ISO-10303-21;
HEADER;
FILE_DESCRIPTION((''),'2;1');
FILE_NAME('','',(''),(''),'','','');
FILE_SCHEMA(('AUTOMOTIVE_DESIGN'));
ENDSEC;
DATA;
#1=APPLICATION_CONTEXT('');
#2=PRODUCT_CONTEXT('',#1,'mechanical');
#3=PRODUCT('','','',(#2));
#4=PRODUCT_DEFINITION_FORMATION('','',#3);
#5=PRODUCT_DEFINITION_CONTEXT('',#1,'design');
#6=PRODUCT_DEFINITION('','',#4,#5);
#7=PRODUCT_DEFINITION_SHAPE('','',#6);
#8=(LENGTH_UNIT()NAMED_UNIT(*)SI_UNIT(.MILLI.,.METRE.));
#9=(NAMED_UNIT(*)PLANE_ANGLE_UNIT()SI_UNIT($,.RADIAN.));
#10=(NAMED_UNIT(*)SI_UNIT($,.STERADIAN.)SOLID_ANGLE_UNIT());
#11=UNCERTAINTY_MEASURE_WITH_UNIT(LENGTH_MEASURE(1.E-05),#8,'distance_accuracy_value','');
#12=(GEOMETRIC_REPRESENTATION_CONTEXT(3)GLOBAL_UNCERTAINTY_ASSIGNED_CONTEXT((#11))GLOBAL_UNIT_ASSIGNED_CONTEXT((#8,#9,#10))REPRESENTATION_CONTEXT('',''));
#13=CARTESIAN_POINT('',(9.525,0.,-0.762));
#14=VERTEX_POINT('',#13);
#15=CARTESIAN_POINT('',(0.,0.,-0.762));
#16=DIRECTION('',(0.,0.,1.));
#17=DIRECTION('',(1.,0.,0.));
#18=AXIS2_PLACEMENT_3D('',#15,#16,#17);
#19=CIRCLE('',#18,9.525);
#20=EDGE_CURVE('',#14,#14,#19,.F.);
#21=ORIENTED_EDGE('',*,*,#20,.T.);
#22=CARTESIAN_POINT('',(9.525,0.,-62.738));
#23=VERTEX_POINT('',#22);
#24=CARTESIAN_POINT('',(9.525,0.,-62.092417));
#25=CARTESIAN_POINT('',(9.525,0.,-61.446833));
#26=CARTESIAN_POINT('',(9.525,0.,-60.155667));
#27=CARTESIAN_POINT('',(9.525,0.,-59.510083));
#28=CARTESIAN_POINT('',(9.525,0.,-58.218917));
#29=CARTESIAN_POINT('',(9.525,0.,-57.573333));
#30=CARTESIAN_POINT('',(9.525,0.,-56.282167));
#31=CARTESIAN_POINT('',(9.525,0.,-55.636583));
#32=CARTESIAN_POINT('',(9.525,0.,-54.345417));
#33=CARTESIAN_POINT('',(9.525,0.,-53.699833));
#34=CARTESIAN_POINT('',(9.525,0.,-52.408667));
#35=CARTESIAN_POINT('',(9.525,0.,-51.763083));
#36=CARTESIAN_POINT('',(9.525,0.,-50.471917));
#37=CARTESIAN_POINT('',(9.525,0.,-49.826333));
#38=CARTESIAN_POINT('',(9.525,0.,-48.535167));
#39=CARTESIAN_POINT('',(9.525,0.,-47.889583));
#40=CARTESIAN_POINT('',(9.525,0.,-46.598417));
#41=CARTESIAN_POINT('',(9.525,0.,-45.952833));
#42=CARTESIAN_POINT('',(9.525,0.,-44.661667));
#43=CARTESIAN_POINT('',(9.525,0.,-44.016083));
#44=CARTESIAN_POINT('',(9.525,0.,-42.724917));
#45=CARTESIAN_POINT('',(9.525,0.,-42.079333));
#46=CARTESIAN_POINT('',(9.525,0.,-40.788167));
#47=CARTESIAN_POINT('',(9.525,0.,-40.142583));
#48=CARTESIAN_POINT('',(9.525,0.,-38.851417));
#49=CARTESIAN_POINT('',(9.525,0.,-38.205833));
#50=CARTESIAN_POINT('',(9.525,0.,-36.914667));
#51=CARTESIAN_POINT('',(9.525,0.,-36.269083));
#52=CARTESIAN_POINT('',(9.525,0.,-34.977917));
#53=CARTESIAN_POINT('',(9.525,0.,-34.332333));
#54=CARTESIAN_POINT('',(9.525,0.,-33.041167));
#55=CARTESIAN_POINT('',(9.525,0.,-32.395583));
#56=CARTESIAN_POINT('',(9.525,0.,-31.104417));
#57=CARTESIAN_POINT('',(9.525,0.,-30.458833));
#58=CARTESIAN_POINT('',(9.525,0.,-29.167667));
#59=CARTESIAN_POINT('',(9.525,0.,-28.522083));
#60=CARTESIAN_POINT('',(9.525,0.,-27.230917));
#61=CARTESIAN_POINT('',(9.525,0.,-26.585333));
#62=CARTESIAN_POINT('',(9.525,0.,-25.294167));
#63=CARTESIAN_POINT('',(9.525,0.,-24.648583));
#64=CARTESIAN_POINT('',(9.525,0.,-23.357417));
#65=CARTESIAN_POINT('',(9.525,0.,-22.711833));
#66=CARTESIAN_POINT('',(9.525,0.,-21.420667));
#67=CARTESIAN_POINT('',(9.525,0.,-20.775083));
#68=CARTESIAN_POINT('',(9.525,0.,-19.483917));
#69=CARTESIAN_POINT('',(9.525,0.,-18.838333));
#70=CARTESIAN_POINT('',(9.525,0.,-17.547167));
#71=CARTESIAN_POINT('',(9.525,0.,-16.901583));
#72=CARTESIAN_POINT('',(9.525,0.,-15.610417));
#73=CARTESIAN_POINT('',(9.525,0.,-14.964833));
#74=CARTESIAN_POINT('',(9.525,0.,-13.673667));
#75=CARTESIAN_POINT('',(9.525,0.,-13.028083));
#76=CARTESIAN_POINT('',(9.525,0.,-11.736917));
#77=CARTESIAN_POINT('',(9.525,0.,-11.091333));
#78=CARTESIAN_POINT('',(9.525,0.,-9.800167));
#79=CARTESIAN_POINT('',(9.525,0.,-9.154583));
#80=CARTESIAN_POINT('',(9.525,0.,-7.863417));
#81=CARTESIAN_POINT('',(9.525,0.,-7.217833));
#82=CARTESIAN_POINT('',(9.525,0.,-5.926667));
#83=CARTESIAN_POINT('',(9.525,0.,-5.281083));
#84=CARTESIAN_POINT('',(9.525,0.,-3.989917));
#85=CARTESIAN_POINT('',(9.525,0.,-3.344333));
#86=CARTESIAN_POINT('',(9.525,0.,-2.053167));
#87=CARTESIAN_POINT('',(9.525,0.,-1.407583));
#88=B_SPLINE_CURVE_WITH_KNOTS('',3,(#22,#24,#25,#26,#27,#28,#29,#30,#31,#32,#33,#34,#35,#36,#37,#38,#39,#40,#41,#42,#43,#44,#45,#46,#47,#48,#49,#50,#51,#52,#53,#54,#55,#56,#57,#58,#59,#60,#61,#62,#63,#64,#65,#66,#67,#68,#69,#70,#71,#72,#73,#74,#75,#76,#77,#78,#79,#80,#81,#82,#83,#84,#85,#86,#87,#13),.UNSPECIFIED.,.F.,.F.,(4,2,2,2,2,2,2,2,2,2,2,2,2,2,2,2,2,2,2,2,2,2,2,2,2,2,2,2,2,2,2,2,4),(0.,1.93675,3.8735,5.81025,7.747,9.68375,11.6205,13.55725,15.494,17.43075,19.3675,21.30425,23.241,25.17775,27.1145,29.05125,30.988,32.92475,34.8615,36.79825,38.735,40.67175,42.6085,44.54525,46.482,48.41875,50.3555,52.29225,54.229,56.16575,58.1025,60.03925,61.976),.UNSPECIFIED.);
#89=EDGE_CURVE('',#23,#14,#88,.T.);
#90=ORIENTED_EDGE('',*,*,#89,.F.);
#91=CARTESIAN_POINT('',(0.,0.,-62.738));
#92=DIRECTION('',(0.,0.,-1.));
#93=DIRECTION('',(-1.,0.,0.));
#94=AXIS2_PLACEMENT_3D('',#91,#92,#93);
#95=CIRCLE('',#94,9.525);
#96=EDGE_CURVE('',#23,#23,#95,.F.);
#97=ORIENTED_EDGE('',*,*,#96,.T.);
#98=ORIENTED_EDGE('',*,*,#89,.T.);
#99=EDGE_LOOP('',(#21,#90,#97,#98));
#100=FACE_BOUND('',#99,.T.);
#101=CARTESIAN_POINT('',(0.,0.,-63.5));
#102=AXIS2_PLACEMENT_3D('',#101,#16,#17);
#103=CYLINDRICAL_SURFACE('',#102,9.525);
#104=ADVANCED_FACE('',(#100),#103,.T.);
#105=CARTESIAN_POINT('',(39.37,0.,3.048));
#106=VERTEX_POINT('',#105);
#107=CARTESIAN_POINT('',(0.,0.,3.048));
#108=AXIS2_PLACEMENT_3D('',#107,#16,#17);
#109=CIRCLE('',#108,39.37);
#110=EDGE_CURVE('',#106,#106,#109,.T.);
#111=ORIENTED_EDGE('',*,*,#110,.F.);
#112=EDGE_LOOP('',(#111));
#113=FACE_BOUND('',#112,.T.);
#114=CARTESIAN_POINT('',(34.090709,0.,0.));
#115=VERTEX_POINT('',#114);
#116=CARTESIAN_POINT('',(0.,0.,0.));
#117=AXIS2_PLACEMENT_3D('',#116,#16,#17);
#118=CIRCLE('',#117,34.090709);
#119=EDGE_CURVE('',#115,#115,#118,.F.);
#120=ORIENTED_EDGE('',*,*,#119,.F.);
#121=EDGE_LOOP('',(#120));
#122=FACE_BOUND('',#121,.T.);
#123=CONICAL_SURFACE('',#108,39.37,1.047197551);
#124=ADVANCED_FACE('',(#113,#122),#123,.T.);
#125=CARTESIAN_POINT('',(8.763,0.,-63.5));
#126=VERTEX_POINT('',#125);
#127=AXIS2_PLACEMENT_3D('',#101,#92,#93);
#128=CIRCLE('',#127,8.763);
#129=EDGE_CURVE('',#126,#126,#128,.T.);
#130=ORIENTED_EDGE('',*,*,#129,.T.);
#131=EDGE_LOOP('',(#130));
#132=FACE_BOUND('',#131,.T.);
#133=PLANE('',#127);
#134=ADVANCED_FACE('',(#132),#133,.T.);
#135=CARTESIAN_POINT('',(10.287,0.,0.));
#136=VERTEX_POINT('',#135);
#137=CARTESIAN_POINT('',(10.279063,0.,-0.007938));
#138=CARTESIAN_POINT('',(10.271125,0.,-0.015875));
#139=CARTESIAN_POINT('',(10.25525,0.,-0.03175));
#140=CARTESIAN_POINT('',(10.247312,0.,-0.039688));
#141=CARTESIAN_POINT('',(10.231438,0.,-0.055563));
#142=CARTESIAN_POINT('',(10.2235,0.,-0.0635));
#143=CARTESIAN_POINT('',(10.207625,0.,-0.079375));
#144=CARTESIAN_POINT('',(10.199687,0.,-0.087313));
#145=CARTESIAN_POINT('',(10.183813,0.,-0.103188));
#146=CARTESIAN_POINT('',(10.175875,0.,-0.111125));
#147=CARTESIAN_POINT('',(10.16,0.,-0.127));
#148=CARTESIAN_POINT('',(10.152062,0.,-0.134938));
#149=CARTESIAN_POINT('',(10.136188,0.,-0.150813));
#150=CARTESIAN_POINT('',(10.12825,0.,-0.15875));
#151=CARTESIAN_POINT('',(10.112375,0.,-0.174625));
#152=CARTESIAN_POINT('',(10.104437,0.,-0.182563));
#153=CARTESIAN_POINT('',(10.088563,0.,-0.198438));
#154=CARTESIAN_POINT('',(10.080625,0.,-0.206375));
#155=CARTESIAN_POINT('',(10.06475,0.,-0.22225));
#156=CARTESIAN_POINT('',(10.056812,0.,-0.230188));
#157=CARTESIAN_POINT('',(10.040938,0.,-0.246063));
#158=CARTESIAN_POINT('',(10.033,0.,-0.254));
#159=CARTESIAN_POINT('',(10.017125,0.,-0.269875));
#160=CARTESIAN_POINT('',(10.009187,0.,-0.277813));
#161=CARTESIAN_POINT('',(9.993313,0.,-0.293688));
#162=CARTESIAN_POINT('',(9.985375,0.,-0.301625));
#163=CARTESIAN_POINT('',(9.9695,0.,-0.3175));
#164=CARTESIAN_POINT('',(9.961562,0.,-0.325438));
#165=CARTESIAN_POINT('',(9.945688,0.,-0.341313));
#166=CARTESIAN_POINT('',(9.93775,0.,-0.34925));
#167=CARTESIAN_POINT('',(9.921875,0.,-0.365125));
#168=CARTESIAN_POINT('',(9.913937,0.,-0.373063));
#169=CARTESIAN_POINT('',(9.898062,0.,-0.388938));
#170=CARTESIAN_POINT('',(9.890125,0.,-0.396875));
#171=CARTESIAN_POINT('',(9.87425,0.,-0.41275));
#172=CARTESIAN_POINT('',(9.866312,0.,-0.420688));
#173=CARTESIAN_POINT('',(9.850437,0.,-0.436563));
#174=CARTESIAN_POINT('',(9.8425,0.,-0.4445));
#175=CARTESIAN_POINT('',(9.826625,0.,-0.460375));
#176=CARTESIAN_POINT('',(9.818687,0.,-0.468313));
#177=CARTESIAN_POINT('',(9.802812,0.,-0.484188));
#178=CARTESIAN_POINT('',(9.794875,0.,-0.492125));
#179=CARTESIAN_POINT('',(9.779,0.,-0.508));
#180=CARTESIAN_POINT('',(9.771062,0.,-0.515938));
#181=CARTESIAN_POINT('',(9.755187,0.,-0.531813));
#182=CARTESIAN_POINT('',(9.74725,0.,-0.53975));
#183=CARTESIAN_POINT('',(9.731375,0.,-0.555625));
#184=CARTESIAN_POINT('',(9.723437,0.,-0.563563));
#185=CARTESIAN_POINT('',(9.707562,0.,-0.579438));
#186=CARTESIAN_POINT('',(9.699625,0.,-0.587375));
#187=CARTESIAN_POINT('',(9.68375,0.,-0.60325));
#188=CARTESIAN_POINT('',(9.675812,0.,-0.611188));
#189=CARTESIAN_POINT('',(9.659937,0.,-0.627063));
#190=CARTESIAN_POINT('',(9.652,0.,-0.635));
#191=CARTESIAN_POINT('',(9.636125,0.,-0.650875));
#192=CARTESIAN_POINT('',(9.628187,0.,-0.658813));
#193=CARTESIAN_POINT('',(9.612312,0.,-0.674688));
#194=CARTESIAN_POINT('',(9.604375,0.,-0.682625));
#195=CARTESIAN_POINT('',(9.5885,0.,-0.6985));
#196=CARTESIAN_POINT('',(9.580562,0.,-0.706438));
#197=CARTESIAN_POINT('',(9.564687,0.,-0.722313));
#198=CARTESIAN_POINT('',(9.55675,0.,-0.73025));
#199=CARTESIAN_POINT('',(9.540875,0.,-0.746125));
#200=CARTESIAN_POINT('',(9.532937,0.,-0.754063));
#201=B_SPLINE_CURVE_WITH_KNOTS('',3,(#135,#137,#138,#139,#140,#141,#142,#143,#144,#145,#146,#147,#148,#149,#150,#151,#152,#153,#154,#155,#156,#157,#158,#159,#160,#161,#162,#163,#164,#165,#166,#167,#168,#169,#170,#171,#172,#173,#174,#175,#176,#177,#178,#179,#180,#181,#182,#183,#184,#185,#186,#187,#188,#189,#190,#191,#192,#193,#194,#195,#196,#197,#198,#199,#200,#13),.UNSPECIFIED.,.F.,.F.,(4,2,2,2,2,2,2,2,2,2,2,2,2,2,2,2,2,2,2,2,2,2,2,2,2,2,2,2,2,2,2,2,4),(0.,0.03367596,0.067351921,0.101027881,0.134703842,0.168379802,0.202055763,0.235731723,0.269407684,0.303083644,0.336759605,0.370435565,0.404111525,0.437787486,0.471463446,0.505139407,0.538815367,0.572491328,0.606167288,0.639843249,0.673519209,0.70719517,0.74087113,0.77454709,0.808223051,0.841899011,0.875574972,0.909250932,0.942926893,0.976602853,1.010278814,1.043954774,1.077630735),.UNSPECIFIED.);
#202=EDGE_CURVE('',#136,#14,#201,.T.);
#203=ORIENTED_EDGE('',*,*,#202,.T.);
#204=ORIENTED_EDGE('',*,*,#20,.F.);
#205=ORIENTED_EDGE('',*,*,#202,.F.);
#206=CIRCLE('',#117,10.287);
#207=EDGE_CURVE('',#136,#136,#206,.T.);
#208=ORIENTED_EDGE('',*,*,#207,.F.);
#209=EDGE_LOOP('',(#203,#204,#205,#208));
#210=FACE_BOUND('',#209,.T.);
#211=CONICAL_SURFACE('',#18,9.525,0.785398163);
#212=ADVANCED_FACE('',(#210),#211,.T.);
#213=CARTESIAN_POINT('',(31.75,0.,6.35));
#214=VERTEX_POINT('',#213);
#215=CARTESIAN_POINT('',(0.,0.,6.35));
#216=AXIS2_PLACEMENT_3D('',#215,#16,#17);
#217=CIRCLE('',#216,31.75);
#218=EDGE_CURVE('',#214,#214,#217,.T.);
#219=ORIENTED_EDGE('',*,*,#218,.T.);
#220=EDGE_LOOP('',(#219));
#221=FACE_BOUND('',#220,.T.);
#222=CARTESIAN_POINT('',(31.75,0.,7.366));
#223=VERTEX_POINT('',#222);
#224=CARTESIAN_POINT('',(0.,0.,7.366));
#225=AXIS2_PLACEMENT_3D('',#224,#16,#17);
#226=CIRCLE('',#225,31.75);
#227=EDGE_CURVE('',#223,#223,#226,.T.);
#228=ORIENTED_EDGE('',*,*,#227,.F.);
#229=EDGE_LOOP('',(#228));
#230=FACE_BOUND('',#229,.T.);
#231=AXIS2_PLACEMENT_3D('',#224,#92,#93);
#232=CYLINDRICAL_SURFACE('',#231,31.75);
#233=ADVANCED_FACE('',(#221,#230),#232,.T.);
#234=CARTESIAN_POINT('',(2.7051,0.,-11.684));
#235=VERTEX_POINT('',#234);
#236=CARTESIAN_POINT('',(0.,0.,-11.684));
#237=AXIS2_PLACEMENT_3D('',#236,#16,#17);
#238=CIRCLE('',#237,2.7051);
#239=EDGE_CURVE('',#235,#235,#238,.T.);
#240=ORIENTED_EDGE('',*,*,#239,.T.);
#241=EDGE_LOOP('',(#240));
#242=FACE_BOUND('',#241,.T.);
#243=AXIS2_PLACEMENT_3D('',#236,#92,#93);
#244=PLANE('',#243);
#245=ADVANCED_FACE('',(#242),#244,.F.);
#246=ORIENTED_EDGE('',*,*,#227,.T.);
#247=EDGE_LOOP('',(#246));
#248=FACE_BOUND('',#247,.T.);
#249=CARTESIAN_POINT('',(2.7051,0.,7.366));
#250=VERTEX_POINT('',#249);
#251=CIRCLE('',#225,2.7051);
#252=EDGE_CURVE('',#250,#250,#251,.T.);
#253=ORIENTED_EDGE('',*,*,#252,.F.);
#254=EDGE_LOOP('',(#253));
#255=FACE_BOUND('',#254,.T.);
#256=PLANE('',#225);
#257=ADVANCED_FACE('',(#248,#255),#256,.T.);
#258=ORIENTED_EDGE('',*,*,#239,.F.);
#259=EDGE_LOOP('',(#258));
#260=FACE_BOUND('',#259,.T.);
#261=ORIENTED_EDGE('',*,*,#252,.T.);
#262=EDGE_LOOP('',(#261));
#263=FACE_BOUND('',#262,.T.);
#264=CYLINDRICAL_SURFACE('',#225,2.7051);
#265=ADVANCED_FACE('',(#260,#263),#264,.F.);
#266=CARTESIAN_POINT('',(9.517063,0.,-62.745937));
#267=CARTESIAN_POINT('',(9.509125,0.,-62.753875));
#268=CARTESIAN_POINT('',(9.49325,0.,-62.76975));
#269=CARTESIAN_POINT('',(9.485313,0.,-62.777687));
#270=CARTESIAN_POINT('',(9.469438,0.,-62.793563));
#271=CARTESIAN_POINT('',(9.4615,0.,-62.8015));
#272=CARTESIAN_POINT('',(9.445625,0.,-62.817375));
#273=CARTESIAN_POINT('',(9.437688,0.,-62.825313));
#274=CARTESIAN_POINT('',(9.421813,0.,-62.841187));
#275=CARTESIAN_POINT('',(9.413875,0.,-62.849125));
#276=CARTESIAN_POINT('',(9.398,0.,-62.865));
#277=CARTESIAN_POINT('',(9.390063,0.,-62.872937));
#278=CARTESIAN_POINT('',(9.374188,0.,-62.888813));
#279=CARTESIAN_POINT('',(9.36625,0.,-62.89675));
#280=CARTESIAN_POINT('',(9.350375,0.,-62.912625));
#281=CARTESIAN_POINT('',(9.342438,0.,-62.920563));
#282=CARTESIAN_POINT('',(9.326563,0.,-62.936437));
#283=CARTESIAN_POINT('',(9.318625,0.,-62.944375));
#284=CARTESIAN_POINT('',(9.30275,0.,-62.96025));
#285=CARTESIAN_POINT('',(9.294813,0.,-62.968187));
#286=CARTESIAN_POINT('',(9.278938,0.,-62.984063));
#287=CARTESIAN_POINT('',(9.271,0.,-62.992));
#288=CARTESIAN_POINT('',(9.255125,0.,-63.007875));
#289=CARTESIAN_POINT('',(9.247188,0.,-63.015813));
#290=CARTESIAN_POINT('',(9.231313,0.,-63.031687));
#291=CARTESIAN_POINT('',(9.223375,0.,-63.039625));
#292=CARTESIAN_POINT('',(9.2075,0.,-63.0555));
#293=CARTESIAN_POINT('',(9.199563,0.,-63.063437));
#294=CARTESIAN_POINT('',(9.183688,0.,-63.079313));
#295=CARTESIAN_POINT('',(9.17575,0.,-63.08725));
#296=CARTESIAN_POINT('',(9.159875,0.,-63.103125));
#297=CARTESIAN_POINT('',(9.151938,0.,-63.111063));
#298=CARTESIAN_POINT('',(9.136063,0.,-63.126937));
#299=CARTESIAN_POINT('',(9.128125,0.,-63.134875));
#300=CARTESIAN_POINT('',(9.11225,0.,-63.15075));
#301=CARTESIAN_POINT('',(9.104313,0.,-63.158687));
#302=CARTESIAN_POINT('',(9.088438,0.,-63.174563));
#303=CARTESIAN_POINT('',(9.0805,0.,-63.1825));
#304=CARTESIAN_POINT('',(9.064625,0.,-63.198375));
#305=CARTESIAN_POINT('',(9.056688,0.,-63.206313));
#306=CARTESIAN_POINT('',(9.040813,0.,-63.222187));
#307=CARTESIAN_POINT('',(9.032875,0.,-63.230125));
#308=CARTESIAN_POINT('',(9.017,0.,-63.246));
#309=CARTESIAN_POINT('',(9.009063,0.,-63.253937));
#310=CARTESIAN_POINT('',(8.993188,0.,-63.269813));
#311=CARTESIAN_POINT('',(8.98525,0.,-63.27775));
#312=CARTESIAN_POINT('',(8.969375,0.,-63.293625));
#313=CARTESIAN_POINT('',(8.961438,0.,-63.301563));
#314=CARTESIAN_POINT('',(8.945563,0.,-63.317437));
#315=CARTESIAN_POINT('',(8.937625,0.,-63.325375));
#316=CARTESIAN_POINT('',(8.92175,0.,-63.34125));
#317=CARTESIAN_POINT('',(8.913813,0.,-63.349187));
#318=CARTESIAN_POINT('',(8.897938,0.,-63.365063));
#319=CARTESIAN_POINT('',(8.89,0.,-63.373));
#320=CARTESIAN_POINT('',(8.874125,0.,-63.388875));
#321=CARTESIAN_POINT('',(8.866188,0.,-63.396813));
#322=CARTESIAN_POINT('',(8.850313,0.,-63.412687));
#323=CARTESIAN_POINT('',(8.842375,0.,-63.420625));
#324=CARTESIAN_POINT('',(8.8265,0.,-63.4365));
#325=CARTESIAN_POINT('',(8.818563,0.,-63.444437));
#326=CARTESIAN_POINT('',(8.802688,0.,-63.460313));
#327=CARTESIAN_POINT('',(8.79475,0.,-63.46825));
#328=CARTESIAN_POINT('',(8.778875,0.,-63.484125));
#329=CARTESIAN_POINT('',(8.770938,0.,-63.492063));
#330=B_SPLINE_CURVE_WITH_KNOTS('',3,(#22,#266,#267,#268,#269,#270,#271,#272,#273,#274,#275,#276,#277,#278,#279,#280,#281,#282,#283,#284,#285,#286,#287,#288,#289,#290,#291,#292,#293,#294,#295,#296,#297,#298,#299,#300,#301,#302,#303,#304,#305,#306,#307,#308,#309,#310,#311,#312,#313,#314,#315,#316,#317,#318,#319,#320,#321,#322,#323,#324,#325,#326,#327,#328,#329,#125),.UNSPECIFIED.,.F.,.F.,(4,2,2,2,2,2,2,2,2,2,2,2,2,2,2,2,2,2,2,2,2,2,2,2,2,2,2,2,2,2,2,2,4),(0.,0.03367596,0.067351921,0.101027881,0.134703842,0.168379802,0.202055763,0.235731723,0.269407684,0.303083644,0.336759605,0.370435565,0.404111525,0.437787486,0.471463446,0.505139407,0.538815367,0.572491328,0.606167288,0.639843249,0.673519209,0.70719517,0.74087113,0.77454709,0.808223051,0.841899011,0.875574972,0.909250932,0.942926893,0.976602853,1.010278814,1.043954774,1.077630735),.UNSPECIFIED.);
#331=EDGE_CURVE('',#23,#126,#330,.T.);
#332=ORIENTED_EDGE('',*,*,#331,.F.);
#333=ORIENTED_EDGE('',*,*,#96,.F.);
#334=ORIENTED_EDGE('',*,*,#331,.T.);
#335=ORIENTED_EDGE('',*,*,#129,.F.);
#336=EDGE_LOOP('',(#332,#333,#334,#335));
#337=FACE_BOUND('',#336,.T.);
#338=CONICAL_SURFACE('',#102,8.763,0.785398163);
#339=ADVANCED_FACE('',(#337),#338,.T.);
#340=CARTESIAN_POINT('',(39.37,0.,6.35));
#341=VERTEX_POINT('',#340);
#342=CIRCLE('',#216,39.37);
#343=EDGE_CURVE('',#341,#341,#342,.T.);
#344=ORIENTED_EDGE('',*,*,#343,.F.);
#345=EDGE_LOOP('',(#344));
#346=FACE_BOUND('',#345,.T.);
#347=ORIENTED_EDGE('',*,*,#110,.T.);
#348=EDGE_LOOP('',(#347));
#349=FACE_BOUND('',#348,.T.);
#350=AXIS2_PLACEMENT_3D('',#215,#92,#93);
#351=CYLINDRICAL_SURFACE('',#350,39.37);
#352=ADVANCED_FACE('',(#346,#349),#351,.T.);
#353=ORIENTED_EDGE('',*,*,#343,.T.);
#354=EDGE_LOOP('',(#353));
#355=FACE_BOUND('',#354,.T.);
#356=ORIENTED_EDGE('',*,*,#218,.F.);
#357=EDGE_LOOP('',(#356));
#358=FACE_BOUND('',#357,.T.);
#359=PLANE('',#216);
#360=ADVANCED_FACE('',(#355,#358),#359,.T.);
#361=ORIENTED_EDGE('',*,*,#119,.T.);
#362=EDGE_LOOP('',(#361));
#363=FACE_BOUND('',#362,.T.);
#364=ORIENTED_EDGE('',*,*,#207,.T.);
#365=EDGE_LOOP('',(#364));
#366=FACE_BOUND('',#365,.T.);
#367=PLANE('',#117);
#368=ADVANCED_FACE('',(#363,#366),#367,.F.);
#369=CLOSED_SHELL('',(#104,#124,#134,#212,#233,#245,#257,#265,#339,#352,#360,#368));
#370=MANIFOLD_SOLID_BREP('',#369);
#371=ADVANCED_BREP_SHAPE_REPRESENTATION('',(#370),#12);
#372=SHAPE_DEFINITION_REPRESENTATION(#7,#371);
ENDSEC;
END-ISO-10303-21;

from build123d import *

# Parameters (mm, degrees)
SKETCH1_R                   = 39.37
BASE_EXTRUDE_DEPTH          = 6.35
SKETCH2_R                   = 31.75
BOSS_EXTRUDE1_DEPTH         = 1.016
SKETCH3_R                   = 9.525
BOSS_EXTRUDE2_DEPTH         = 63.5
CHAMFER1_SIZE               = 0.762
F_1_4_28_TAPPED_HOLE1_D     = 5.4102
F_1_4_28_TAPPED_HOLE1_DEPTH = 19.05
CHAMFER2_SIZE               = 3.048
CHAMFER2_SIZE2              = 5.279290861


with BuildPart() as part:
    # Sketch1 → Base-Extrude (new body)
    with BuildSketch(Plane.XY):
        Circle(SKETCH1_R)
    extrude(amount=BASE_EXTRUDE_DEPTH)

    # Sketch2 → Boss-Extrude1 (add)
    with BuildSketch(Plane.XY.offset(6.35)):
        Circle(SKETCH2_R)
    extrude(amount=BOSS_EXTRUDE1_DEPTH)

    # Sketch3 → Boss-Extrude2 (add)
    with BuildSketch(Plane(origin=(0, 0, 0), x_dir=(-1, 0, 0), z_dir=(0, 0, -1))):
        with Locations(Location((0, 0, 0), (0, 0, 180))):
            Circle(SKETCH3_R)
    extrude(amount=BOSS_EXTRUDE2_DEPTH)

    # Chamfer1
    chamfer1_edges = [part.edges().sort_by_distance(p)[0] for p in [
        (-9.525, 0, 0),
        (-9.525, 0, -63.5),
    ]]
    chamfer(chamfer1_edges, length=CHAMFER1_SIZE)

    # 1/4-28 Tapped Hole1
    with Locations(Plane.XY.offset(7.366)):
        with Locations((0, 0)):
            Hole(F_1_4_28_TAPPED_HOLE1_D / 2, depth=F_1_4_28_TAPPED_HOLE1_DEPTH)

    # Chamfer2
    chamfer2_edges = [part.edges().sort_by_distance(p)[0] for p in [
        (-39.37, 0, 0),
    ]]
    chamfer2_side = [part.faces().sort_by_distance(p)[0] for p in [
        (-39.37, 0, 3.175),
    ]]
    chamfer(chamfer2_edges, length=CHAMFER2_SIZE, length2=CHAMFER2_SIZE2, reference=chamfer2_side[0])


solid = part.part
